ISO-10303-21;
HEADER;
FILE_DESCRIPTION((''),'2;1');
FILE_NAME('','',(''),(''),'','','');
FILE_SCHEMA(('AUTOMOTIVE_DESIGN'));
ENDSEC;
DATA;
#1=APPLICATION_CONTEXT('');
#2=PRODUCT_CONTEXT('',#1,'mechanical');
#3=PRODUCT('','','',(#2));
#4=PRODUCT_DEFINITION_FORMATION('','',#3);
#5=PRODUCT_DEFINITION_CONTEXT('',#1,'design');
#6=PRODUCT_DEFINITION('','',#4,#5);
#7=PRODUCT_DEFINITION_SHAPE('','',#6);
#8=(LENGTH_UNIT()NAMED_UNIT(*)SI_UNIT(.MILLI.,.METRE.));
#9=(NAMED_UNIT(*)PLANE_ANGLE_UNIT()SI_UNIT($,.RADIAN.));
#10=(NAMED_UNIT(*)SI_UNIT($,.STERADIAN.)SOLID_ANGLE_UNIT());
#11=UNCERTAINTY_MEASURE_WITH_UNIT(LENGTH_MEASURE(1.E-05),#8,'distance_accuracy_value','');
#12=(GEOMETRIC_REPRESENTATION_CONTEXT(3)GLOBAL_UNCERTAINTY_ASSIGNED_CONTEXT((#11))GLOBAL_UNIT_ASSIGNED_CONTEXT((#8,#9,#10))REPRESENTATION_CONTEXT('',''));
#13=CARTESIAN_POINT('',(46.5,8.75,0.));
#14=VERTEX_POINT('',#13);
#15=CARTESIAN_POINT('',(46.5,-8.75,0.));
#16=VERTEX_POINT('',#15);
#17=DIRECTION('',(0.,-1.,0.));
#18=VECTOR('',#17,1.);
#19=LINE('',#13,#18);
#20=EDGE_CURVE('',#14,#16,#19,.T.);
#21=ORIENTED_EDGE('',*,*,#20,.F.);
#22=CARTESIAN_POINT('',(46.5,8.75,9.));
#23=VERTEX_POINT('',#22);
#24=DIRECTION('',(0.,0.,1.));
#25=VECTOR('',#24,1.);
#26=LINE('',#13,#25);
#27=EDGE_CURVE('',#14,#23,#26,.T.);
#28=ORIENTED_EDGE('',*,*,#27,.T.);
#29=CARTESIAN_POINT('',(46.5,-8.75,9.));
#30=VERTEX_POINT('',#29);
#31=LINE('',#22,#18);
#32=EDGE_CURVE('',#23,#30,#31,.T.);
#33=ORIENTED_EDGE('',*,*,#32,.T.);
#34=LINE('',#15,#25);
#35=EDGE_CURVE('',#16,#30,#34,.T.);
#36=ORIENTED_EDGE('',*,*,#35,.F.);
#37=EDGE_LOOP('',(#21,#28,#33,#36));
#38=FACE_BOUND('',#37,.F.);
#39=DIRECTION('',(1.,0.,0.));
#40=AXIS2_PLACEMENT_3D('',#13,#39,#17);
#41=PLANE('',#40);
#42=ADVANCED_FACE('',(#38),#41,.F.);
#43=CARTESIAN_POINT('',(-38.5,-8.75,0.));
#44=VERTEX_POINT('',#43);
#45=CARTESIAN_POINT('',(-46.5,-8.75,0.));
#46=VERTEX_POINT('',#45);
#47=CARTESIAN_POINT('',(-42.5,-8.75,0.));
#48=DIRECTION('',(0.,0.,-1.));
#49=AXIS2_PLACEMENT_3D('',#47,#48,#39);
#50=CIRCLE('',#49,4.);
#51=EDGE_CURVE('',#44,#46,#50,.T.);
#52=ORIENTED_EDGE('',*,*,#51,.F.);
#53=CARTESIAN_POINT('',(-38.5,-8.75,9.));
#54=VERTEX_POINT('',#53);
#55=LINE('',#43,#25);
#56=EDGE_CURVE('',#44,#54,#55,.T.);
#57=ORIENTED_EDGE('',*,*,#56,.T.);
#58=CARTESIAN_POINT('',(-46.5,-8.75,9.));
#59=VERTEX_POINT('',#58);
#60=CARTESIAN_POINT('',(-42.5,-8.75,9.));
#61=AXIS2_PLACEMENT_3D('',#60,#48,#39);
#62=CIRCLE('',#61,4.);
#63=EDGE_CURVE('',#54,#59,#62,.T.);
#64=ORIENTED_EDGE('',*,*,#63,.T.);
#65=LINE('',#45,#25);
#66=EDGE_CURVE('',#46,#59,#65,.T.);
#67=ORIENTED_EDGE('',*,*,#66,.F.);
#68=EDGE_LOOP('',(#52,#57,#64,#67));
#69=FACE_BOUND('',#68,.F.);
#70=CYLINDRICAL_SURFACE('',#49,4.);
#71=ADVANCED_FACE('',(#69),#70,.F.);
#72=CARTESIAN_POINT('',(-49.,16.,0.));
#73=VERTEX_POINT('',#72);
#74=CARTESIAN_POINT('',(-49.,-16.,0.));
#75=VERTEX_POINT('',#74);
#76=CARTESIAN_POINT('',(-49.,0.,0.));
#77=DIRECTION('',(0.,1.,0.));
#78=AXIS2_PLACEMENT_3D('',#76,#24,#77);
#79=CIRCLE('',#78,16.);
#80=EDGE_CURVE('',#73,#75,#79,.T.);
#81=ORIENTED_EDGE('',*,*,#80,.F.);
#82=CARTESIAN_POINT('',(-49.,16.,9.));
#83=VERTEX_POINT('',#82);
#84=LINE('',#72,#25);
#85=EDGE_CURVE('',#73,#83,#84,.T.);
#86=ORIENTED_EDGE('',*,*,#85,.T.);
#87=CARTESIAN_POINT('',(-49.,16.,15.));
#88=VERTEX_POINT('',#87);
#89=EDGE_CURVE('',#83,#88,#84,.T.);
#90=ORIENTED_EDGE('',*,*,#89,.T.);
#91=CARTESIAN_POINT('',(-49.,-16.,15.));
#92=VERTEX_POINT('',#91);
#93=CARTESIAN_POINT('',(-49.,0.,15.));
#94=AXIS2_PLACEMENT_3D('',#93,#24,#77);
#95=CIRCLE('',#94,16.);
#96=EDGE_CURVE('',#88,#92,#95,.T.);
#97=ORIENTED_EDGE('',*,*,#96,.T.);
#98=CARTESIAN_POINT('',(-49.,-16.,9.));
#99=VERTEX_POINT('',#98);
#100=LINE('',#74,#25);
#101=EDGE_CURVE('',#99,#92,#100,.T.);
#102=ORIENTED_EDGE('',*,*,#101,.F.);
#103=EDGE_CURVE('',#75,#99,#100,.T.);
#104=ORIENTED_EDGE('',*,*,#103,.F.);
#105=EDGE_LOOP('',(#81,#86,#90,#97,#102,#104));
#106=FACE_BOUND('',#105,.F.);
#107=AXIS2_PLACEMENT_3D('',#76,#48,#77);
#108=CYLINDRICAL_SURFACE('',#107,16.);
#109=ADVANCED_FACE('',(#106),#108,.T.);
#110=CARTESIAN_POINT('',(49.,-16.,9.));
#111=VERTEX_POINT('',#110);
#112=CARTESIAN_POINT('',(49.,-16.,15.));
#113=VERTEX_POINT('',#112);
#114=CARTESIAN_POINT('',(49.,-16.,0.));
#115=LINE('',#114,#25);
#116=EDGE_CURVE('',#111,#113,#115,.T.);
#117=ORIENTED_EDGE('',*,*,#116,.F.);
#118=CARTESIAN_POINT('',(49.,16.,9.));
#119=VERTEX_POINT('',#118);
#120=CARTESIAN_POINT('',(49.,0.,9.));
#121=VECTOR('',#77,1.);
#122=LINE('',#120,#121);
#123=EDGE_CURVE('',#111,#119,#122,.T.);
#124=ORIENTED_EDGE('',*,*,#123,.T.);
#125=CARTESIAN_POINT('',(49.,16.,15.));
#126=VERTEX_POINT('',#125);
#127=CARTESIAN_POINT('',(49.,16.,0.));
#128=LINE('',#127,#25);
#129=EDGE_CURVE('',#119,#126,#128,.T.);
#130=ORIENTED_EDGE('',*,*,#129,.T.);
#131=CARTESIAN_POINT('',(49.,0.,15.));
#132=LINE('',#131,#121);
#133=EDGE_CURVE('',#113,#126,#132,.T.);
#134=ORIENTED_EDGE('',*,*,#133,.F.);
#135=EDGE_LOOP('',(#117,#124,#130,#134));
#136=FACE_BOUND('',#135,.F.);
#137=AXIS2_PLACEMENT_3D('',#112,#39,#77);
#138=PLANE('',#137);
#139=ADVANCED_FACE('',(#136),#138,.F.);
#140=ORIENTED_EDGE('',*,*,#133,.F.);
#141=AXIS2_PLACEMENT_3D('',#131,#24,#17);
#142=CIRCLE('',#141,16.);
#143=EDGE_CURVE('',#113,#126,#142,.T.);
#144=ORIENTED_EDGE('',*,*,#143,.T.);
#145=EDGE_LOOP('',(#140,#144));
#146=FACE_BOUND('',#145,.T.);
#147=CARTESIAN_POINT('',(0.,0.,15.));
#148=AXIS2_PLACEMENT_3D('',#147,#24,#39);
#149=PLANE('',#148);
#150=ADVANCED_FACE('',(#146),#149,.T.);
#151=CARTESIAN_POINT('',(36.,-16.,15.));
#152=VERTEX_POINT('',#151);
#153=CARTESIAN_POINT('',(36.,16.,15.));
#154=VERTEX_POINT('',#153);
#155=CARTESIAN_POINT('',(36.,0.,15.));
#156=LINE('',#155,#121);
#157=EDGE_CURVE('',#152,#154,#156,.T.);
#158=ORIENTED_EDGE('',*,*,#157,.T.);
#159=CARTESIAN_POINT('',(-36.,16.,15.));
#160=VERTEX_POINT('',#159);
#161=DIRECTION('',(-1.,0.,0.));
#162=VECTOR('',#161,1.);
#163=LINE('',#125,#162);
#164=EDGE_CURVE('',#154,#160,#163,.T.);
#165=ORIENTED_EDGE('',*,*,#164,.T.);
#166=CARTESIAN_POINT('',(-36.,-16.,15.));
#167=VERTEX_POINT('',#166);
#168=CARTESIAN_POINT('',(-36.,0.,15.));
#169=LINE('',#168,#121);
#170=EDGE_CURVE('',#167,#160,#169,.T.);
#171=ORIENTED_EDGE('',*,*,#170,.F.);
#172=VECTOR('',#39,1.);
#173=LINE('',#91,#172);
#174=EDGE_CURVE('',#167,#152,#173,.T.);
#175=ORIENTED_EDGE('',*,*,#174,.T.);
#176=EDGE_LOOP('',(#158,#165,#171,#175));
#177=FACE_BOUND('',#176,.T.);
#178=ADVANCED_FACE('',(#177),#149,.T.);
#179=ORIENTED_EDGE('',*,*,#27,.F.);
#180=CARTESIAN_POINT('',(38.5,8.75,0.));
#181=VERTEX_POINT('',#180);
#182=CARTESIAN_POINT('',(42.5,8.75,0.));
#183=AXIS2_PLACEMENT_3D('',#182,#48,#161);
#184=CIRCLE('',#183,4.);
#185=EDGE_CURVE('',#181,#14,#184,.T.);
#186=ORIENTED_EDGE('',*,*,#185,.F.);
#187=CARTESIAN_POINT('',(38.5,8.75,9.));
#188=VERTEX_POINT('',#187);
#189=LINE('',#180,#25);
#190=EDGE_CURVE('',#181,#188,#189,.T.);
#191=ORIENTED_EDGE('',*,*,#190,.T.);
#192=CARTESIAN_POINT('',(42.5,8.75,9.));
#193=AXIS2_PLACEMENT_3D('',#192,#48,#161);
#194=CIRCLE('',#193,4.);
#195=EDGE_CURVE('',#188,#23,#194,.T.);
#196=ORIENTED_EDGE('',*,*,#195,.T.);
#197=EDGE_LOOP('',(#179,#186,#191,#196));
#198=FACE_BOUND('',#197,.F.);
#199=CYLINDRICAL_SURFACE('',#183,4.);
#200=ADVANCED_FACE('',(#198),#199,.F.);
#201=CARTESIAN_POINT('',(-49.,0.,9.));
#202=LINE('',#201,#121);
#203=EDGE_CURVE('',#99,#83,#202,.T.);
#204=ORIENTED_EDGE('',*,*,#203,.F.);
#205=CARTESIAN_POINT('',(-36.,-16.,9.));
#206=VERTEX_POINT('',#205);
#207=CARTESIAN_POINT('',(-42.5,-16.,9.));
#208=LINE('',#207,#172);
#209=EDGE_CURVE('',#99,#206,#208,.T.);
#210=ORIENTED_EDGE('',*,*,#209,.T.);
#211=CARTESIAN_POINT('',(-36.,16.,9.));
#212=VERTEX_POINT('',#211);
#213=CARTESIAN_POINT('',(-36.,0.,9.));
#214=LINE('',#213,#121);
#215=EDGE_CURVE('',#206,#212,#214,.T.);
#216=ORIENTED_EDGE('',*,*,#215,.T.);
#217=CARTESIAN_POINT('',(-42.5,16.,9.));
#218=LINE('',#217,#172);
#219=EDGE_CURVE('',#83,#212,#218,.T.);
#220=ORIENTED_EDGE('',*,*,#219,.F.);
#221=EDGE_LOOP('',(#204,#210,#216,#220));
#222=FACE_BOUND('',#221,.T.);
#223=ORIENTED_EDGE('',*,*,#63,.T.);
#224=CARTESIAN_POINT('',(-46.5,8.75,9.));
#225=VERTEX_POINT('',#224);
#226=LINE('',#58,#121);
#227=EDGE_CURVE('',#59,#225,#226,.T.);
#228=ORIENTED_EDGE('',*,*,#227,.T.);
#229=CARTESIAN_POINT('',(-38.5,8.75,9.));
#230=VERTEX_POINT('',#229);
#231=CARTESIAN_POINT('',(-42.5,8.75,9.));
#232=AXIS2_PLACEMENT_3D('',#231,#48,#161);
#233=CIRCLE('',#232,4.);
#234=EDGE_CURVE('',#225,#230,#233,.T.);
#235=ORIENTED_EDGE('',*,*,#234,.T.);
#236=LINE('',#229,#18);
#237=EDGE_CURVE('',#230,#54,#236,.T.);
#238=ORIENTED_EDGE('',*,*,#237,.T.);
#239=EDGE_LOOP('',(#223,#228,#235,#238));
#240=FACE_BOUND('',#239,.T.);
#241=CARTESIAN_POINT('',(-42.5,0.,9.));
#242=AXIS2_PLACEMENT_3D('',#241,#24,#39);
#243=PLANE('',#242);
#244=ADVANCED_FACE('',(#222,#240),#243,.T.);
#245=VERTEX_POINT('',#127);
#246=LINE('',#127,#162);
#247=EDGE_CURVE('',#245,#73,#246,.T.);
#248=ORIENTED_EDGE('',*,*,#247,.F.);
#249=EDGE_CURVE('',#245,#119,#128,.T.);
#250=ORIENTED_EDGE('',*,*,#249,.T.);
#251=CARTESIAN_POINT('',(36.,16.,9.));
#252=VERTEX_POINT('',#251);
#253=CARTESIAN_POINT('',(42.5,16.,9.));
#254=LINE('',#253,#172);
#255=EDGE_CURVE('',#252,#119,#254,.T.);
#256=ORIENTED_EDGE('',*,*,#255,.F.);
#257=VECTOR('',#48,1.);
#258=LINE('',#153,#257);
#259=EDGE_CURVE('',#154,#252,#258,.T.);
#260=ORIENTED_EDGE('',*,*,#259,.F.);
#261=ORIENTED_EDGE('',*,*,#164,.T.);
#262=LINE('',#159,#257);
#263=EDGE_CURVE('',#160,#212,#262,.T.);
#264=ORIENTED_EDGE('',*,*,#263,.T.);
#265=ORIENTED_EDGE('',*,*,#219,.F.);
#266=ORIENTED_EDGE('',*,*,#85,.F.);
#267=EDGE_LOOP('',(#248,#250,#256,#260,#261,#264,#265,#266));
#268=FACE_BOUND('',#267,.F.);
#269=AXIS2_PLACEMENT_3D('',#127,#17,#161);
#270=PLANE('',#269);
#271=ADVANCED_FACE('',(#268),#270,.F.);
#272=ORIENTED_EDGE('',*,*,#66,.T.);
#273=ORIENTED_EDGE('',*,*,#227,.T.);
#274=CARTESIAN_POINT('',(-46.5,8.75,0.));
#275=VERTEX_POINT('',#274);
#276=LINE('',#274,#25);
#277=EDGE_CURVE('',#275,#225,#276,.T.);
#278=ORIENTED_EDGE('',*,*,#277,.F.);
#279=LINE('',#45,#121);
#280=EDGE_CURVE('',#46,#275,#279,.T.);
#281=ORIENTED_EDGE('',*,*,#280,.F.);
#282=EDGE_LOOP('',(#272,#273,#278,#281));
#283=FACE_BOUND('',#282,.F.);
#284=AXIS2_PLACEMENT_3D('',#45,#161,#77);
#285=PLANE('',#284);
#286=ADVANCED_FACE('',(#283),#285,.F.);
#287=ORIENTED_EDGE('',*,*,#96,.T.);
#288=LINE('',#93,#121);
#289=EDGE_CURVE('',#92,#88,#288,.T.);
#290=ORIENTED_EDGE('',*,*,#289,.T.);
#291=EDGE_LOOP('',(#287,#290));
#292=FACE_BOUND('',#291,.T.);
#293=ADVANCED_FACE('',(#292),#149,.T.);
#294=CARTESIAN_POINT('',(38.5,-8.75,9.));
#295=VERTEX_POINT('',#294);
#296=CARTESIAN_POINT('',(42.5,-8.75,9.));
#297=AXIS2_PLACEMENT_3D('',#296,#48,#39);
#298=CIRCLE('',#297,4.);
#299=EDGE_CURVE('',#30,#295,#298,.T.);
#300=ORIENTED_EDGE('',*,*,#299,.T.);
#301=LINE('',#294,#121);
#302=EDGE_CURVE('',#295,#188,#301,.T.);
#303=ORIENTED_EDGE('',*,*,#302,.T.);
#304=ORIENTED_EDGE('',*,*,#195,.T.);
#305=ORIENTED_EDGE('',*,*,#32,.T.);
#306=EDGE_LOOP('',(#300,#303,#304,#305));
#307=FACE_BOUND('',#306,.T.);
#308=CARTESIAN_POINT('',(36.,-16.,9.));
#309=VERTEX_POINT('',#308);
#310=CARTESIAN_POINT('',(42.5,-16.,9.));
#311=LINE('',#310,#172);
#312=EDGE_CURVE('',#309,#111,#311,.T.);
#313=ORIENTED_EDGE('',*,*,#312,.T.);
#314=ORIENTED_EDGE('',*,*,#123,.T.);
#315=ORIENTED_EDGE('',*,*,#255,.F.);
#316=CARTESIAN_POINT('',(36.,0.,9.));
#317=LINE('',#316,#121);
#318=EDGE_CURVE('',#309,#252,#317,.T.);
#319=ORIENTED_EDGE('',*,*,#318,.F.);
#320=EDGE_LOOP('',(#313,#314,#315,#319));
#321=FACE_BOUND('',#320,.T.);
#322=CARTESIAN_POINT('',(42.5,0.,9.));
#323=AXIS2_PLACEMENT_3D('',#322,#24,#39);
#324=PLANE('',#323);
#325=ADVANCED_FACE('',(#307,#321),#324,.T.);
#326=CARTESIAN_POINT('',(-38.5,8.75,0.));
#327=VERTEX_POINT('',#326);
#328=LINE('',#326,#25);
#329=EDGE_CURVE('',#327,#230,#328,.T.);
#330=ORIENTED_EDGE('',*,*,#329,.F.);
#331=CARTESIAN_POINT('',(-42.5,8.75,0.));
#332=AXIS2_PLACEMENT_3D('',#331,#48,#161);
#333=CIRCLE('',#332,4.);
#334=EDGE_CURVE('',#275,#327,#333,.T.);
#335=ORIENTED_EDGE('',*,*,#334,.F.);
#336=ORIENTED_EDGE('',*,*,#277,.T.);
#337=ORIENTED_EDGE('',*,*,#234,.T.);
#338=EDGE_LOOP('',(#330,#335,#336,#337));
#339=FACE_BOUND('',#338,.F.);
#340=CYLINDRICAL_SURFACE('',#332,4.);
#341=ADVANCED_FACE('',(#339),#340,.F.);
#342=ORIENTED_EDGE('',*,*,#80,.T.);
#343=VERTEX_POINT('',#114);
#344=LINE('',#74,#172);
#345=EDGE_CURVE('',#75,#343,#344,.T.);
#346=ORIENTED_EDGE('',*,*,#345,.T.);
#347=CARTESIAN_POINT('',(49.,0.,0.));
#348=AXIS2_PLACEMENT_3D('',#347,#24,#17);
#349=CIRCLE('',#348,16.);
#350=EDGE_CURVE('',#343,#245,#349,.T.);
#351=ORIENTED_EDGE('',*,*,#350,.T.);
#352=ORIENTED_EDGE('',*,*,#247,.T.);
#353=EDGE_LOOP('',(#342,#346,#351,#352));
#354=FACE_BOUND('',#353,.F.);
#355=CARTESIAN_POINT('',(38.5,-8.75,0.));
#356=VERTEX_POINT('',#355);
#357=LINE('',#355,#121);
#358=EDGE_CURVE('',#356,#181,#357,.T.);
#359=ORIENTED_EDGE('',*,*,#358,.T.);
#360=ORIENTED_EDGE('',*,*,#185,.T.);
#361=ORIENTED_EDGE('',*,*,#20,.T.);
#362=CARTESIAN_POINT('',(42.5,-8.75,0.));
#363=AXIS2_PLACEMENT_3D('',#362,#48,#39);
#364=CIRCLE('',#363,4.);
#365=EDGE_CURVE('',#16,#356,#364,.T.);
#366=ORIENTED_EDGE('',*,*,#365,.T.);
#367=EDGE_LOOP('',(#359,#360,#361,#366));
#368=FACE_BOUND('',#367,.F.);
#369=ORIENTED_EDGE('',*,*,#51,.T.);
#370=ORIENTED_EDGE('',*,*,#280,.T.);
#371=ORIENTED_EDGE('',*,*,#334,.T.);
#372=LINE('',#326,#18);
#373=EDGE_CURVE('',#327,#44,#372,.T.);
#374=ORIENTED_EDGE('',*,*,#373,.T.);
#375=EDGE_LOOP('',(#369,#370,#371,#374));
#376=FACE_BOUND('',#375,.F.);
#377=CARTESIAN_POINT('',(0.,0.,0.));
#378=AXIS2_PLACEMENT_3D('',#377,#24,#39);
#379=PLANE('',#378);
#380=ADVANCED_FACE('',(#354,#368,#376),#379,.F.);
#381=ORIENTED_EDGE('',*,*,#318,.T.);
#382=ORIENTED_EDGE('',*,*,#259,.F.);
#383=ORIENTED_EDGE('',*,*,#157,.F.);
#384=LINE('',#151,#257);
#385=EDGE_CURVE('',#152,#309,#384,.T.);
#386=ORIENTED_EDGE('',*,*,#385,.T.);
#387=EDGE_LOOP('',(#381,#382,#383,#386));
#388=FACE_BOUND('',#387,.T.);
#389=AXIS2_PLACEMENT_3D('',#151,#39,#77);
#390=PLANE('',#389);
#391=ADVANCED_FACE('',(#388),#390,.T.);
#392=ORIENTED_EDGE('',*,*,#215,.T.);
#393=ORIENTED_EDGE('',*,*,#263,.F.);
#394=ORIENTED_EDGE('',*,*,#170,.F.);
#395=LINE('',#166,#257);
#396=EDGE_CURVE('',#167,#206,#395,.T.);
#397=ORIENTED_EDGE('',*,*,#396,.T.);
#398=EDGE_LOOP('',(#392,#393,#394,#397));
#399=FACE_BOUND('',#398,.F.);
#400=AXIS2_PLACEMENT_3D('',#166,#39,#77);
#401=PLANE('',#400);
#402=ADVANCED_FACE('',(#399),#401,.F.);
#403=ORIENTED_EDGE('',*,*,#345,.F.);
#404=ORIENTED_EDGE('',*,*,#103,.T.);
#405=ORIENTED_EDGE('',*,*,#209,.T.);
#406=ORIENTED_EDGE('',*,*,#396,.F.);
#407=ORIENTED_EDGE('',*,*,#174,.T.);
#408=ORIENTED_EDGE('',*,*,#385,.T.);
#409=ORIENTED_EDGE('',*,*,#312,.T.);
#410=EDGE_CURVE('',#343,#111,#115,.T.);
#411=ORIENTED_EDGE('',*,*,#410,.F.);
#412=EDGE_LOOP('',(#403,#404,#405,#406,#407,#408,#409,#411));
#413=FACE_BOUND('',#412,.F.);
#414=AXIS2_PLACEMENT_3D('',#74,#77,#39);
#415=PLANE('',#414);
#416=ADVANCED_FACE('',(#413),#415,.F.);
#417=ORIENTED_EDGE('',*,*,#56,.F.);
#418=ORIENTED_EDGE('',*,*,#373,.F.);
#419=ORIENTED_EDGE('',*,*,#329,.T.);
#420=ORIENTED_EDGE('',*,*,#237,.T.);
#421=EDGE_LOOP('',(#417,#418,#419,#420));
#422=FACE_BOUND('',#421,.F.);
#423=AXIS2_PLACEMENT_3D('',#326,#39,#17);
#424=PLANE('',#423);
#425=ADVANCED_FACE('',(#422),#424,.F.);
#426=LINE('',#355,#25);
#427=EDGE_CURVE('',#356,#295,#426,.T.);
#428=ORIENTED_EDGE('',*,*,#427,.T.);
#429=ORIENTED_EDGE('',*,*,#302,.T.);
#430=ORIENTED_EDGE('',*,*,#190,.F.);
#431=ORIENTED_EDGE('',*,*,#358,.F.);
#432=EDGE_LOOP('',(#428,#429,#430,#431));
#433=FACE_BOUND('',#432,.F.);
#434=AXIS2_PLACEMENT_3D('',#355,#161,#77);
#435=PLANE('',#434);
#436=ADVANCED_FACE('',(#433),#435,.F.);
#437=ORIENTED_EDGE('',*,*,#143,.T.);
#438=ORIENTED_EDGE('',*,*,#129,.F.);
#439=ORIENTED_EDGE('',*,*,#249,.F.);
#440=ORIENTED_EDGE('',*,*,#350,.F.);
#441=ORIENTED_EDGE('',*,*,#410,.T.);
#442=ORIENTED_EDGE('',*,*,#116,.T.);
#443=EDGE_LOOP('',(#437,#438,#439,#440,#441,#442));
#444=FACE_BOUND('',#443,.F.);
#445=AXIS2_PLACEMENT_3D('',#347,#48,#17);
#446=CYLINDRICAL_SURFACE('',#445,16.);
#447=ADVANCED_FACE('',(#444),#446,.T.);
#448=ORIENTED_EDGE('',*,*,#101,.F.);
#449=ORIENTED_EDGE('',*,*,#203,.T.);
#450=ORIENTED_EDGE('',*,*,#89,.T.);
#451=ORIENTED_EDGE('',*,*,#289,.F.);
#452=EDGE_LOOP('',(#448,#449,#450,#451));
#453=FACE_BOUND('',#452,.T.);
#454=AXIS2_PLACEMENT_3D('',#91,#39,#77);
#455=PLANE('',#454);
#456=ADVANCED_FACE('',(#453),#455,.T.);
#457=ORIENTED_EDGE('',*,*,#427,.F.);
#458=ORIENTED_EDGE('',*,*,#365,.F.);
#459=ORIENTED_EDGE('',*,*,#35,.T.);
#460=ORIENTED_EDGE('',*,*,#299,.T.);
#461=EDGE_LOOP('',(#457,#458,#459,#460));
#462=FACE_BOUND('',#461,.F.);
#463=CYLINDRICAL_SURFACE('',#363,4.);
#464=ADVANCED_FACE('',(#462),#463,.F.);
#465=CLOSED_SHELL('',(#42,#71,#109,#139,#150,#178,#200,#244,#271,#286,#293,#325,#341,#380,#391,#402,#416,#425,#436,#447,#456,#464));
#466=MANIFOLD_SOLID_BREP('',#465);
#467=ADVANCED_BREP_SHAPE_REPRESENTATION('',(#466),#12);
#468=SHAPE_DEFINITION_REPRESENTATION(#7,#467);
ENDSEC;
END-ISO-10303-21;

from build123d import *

# Parameters (mm, degrees)
F1_DEPTH = 15
F2_W     = 13
F2_H     = 32
F3_DEPTH = 6


with BuildPart() as f1:
    # F0 (on Top) → F1 (new body)
    with BuildSketch(Plane.XY):
        with BuildLine():
            Line((49, 16), (0, 16))
            Line((0, 16), (-49, 16))
            ThreePointArc((-49, 16), (-65, 0), (-49, -16))
            Line((-49, -16), (0, -16))
            Line((0, -16), (49, -16))
            ThreePointArc((49, -16), (65, 0), (49, 16))
        make_face()
        with BuildLine():
            Line((-46.5, -8.75), (-46.5, 8.75))
            ThreePointArc((-46.5, 8.75), (-42.5, 12.75), (-38.5, 8.75))
            Line((-38.5, 8.75), (-38.5, -8.75))
            ThreePointArc((-38.5, -8.75), (-42.5, -12.75), (-46.5, -8.75))
        make_face(mode=Mode.SUBTRACT)
        with BuildLine():
            ThreePointArc((46.5, -8.75), (42.5, -12.75), (38.5, -8.75))
            Line((38.5, -8.75), (38.5, 8.75))
            ThreePointArc((38.5, 8.75), (42.5, 12.75), (46.5, 8.75))
            Line((46.5, 8.75), (46.5, -8.75))
        make_face(mode=Mode.SUBTRACT)
    extrude(amount=F1_DEPTH)

    # F2 (on face) → F3 (cut)
    with BuildSketch(Plane.XY.offset(15)):
        with Locations((-42.5, 0)):
            Rectangle(F2_W, F2_H)
        with BuildLine():
            ThreePointArc((-38.5, -8.75), (-42.5, -12.75), (-46.5, -8.75))
            Line((-46.5, -8.75), (-46.5, 8.75))
            ThreePointArc((-46.5, 8.75), (-42.5, 12.75), (-38.5, 8.75))
            Line((-38.5, 8.75), (-38.5, -8.75))
        make_face(mode=Mode.SUBTRACT)
        with Locations((42.5, 0)):
            Rectangle(F2_W, F2_H)
        with BuildLine():
            Line((46.5, 8.75), (46.5, -8.75))
            ThreePointArc((46.5, -8.75), (42.5, -12.75), (38.5, -8.75))
            Line((38.5, -8.75), (38.5, 8.75))
            ThreePointArc((38.5, 8.75), (42.5, 12.75), (46.5, 8.75))
        make_face(mode=Mode.SUBTRACT)
    extrude(amount=-F3_DEPTH, mode=Mode.SUBTRACT)


solid = f1.part
